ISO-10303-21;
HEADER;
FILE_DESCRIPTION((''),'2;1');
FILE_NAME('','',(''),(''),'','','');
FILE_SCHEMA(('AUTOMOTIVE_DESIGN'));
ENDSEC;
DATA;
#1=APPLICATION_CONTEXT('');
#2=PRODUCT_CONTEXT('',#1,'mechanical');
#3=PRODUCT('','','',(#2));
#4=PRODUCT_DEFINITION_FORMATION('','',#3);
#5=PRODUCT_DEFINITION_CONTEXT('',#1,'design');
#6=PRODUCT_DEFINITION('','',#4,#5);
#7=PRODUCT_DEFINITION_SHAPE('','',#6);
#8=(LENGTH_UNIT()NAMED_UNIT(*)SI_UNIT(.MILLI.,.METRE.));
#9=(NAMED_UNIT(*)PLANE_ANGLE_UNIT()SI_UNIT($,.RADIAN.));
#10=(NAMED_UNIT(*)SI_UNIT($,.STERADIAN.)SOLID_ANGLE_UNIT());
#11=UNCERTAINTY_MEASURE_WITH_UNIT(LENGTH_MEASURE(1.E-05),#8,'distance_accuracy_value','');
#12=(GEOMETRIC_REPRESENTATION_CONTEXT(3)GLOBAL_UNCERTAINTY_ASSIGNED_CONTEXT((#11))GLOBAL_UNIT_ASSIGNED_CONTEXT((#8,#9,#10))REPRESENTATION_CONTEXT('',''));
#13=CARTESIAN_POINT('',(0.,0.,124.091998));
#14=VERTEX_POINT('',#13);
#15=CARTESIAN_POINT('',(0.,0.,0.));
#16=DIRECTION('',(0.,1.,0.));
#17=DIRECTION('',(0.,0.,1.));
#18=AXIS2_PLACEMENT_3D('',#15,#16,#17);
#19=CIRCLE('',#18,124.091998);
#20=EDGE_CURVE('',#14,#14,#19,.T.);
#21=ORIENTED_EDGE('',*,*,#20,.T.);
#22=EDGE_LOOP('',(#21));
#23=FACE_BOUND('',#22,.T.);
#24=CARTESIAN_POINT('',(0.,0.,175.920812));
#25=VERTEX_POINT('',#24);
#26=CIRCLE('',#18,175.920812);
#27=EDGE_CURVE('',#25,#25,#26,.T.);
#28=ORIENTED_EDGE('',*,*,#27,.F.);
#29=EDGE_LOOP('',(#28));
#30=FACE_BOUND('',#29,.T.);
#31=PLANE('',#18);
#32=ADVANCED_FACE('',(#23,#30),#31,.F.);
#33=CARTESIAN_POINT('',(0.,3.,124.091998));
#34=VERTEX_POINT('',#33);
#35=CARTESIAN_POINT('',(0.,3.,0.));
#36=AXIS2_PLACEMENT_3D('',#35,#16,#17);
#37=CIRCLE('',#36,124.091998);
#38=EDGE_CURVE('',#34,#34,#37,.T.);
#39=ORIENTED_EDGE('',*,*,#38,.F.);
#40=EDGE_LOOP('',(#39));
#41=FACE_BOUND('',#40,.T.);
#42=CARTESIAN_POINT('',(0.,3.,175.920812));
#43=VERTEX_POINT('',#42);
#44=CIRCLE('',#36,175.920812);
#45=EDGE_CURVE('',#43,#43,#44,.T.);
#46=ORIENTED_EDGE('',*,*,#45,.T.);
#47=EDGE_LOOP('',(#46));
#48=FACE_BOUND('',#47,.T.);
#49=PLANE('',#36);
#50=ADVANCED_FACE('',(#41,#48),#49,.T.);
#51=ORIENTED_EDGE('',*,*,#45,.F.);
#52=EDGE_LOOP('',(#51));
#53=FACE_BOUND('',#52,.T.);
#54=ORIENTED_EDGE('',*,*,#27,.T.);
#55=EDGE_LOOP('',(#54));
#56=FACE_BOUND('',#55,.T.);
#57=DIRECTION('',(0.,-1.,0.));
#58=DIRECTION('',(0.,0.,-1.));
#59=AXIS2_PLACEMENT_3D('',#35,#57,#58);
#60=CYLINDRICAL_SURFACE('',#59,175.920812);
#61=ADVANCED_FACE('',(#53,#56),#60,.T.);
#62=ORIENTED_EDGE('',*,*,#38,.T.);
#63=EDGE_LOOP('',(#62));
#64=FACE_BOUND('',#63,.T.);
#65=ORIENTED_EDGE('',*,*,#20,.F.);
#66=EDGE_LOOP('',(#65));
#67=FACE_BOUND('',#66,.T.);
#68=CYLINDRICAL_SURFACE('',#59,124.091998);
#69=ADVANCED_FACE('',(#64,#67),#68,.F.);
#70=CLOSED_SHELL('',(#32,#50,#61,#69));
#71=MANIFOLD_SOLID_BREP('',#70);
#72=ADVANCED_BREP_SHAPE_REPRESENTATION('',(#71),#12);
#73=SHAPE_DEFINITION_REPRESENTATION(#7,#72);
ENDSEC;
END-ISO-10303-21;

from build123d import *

# Parameters (mm, degrees)
SKETCH1_R           = 175.920811822
SKETCH1_R_2         = 124.091997973
BOSS_EXTRUDE1_DEPTH = 3


with BuildPart() as part:
    # Sketch1 → Boss-Extrude1 (new body)
    with BuildSketch(Plane(origin=(0, 0, 0), x_dir=(1, 0, 0), z_dir=(0, 1, 0))):
        with Locations(Location((0, 0, 0), (0, 0, 270))):
            Circle(SKETCH1_R)
        with Locations(Location((0, 0, 0), (0, 0, 270))):
            Circle(SKETCH1_R_2, mode=Mode.SUBTRACT)
    extrude(amount=BOSS_EXTRUDE1_DEPTH)


solid = part.part
